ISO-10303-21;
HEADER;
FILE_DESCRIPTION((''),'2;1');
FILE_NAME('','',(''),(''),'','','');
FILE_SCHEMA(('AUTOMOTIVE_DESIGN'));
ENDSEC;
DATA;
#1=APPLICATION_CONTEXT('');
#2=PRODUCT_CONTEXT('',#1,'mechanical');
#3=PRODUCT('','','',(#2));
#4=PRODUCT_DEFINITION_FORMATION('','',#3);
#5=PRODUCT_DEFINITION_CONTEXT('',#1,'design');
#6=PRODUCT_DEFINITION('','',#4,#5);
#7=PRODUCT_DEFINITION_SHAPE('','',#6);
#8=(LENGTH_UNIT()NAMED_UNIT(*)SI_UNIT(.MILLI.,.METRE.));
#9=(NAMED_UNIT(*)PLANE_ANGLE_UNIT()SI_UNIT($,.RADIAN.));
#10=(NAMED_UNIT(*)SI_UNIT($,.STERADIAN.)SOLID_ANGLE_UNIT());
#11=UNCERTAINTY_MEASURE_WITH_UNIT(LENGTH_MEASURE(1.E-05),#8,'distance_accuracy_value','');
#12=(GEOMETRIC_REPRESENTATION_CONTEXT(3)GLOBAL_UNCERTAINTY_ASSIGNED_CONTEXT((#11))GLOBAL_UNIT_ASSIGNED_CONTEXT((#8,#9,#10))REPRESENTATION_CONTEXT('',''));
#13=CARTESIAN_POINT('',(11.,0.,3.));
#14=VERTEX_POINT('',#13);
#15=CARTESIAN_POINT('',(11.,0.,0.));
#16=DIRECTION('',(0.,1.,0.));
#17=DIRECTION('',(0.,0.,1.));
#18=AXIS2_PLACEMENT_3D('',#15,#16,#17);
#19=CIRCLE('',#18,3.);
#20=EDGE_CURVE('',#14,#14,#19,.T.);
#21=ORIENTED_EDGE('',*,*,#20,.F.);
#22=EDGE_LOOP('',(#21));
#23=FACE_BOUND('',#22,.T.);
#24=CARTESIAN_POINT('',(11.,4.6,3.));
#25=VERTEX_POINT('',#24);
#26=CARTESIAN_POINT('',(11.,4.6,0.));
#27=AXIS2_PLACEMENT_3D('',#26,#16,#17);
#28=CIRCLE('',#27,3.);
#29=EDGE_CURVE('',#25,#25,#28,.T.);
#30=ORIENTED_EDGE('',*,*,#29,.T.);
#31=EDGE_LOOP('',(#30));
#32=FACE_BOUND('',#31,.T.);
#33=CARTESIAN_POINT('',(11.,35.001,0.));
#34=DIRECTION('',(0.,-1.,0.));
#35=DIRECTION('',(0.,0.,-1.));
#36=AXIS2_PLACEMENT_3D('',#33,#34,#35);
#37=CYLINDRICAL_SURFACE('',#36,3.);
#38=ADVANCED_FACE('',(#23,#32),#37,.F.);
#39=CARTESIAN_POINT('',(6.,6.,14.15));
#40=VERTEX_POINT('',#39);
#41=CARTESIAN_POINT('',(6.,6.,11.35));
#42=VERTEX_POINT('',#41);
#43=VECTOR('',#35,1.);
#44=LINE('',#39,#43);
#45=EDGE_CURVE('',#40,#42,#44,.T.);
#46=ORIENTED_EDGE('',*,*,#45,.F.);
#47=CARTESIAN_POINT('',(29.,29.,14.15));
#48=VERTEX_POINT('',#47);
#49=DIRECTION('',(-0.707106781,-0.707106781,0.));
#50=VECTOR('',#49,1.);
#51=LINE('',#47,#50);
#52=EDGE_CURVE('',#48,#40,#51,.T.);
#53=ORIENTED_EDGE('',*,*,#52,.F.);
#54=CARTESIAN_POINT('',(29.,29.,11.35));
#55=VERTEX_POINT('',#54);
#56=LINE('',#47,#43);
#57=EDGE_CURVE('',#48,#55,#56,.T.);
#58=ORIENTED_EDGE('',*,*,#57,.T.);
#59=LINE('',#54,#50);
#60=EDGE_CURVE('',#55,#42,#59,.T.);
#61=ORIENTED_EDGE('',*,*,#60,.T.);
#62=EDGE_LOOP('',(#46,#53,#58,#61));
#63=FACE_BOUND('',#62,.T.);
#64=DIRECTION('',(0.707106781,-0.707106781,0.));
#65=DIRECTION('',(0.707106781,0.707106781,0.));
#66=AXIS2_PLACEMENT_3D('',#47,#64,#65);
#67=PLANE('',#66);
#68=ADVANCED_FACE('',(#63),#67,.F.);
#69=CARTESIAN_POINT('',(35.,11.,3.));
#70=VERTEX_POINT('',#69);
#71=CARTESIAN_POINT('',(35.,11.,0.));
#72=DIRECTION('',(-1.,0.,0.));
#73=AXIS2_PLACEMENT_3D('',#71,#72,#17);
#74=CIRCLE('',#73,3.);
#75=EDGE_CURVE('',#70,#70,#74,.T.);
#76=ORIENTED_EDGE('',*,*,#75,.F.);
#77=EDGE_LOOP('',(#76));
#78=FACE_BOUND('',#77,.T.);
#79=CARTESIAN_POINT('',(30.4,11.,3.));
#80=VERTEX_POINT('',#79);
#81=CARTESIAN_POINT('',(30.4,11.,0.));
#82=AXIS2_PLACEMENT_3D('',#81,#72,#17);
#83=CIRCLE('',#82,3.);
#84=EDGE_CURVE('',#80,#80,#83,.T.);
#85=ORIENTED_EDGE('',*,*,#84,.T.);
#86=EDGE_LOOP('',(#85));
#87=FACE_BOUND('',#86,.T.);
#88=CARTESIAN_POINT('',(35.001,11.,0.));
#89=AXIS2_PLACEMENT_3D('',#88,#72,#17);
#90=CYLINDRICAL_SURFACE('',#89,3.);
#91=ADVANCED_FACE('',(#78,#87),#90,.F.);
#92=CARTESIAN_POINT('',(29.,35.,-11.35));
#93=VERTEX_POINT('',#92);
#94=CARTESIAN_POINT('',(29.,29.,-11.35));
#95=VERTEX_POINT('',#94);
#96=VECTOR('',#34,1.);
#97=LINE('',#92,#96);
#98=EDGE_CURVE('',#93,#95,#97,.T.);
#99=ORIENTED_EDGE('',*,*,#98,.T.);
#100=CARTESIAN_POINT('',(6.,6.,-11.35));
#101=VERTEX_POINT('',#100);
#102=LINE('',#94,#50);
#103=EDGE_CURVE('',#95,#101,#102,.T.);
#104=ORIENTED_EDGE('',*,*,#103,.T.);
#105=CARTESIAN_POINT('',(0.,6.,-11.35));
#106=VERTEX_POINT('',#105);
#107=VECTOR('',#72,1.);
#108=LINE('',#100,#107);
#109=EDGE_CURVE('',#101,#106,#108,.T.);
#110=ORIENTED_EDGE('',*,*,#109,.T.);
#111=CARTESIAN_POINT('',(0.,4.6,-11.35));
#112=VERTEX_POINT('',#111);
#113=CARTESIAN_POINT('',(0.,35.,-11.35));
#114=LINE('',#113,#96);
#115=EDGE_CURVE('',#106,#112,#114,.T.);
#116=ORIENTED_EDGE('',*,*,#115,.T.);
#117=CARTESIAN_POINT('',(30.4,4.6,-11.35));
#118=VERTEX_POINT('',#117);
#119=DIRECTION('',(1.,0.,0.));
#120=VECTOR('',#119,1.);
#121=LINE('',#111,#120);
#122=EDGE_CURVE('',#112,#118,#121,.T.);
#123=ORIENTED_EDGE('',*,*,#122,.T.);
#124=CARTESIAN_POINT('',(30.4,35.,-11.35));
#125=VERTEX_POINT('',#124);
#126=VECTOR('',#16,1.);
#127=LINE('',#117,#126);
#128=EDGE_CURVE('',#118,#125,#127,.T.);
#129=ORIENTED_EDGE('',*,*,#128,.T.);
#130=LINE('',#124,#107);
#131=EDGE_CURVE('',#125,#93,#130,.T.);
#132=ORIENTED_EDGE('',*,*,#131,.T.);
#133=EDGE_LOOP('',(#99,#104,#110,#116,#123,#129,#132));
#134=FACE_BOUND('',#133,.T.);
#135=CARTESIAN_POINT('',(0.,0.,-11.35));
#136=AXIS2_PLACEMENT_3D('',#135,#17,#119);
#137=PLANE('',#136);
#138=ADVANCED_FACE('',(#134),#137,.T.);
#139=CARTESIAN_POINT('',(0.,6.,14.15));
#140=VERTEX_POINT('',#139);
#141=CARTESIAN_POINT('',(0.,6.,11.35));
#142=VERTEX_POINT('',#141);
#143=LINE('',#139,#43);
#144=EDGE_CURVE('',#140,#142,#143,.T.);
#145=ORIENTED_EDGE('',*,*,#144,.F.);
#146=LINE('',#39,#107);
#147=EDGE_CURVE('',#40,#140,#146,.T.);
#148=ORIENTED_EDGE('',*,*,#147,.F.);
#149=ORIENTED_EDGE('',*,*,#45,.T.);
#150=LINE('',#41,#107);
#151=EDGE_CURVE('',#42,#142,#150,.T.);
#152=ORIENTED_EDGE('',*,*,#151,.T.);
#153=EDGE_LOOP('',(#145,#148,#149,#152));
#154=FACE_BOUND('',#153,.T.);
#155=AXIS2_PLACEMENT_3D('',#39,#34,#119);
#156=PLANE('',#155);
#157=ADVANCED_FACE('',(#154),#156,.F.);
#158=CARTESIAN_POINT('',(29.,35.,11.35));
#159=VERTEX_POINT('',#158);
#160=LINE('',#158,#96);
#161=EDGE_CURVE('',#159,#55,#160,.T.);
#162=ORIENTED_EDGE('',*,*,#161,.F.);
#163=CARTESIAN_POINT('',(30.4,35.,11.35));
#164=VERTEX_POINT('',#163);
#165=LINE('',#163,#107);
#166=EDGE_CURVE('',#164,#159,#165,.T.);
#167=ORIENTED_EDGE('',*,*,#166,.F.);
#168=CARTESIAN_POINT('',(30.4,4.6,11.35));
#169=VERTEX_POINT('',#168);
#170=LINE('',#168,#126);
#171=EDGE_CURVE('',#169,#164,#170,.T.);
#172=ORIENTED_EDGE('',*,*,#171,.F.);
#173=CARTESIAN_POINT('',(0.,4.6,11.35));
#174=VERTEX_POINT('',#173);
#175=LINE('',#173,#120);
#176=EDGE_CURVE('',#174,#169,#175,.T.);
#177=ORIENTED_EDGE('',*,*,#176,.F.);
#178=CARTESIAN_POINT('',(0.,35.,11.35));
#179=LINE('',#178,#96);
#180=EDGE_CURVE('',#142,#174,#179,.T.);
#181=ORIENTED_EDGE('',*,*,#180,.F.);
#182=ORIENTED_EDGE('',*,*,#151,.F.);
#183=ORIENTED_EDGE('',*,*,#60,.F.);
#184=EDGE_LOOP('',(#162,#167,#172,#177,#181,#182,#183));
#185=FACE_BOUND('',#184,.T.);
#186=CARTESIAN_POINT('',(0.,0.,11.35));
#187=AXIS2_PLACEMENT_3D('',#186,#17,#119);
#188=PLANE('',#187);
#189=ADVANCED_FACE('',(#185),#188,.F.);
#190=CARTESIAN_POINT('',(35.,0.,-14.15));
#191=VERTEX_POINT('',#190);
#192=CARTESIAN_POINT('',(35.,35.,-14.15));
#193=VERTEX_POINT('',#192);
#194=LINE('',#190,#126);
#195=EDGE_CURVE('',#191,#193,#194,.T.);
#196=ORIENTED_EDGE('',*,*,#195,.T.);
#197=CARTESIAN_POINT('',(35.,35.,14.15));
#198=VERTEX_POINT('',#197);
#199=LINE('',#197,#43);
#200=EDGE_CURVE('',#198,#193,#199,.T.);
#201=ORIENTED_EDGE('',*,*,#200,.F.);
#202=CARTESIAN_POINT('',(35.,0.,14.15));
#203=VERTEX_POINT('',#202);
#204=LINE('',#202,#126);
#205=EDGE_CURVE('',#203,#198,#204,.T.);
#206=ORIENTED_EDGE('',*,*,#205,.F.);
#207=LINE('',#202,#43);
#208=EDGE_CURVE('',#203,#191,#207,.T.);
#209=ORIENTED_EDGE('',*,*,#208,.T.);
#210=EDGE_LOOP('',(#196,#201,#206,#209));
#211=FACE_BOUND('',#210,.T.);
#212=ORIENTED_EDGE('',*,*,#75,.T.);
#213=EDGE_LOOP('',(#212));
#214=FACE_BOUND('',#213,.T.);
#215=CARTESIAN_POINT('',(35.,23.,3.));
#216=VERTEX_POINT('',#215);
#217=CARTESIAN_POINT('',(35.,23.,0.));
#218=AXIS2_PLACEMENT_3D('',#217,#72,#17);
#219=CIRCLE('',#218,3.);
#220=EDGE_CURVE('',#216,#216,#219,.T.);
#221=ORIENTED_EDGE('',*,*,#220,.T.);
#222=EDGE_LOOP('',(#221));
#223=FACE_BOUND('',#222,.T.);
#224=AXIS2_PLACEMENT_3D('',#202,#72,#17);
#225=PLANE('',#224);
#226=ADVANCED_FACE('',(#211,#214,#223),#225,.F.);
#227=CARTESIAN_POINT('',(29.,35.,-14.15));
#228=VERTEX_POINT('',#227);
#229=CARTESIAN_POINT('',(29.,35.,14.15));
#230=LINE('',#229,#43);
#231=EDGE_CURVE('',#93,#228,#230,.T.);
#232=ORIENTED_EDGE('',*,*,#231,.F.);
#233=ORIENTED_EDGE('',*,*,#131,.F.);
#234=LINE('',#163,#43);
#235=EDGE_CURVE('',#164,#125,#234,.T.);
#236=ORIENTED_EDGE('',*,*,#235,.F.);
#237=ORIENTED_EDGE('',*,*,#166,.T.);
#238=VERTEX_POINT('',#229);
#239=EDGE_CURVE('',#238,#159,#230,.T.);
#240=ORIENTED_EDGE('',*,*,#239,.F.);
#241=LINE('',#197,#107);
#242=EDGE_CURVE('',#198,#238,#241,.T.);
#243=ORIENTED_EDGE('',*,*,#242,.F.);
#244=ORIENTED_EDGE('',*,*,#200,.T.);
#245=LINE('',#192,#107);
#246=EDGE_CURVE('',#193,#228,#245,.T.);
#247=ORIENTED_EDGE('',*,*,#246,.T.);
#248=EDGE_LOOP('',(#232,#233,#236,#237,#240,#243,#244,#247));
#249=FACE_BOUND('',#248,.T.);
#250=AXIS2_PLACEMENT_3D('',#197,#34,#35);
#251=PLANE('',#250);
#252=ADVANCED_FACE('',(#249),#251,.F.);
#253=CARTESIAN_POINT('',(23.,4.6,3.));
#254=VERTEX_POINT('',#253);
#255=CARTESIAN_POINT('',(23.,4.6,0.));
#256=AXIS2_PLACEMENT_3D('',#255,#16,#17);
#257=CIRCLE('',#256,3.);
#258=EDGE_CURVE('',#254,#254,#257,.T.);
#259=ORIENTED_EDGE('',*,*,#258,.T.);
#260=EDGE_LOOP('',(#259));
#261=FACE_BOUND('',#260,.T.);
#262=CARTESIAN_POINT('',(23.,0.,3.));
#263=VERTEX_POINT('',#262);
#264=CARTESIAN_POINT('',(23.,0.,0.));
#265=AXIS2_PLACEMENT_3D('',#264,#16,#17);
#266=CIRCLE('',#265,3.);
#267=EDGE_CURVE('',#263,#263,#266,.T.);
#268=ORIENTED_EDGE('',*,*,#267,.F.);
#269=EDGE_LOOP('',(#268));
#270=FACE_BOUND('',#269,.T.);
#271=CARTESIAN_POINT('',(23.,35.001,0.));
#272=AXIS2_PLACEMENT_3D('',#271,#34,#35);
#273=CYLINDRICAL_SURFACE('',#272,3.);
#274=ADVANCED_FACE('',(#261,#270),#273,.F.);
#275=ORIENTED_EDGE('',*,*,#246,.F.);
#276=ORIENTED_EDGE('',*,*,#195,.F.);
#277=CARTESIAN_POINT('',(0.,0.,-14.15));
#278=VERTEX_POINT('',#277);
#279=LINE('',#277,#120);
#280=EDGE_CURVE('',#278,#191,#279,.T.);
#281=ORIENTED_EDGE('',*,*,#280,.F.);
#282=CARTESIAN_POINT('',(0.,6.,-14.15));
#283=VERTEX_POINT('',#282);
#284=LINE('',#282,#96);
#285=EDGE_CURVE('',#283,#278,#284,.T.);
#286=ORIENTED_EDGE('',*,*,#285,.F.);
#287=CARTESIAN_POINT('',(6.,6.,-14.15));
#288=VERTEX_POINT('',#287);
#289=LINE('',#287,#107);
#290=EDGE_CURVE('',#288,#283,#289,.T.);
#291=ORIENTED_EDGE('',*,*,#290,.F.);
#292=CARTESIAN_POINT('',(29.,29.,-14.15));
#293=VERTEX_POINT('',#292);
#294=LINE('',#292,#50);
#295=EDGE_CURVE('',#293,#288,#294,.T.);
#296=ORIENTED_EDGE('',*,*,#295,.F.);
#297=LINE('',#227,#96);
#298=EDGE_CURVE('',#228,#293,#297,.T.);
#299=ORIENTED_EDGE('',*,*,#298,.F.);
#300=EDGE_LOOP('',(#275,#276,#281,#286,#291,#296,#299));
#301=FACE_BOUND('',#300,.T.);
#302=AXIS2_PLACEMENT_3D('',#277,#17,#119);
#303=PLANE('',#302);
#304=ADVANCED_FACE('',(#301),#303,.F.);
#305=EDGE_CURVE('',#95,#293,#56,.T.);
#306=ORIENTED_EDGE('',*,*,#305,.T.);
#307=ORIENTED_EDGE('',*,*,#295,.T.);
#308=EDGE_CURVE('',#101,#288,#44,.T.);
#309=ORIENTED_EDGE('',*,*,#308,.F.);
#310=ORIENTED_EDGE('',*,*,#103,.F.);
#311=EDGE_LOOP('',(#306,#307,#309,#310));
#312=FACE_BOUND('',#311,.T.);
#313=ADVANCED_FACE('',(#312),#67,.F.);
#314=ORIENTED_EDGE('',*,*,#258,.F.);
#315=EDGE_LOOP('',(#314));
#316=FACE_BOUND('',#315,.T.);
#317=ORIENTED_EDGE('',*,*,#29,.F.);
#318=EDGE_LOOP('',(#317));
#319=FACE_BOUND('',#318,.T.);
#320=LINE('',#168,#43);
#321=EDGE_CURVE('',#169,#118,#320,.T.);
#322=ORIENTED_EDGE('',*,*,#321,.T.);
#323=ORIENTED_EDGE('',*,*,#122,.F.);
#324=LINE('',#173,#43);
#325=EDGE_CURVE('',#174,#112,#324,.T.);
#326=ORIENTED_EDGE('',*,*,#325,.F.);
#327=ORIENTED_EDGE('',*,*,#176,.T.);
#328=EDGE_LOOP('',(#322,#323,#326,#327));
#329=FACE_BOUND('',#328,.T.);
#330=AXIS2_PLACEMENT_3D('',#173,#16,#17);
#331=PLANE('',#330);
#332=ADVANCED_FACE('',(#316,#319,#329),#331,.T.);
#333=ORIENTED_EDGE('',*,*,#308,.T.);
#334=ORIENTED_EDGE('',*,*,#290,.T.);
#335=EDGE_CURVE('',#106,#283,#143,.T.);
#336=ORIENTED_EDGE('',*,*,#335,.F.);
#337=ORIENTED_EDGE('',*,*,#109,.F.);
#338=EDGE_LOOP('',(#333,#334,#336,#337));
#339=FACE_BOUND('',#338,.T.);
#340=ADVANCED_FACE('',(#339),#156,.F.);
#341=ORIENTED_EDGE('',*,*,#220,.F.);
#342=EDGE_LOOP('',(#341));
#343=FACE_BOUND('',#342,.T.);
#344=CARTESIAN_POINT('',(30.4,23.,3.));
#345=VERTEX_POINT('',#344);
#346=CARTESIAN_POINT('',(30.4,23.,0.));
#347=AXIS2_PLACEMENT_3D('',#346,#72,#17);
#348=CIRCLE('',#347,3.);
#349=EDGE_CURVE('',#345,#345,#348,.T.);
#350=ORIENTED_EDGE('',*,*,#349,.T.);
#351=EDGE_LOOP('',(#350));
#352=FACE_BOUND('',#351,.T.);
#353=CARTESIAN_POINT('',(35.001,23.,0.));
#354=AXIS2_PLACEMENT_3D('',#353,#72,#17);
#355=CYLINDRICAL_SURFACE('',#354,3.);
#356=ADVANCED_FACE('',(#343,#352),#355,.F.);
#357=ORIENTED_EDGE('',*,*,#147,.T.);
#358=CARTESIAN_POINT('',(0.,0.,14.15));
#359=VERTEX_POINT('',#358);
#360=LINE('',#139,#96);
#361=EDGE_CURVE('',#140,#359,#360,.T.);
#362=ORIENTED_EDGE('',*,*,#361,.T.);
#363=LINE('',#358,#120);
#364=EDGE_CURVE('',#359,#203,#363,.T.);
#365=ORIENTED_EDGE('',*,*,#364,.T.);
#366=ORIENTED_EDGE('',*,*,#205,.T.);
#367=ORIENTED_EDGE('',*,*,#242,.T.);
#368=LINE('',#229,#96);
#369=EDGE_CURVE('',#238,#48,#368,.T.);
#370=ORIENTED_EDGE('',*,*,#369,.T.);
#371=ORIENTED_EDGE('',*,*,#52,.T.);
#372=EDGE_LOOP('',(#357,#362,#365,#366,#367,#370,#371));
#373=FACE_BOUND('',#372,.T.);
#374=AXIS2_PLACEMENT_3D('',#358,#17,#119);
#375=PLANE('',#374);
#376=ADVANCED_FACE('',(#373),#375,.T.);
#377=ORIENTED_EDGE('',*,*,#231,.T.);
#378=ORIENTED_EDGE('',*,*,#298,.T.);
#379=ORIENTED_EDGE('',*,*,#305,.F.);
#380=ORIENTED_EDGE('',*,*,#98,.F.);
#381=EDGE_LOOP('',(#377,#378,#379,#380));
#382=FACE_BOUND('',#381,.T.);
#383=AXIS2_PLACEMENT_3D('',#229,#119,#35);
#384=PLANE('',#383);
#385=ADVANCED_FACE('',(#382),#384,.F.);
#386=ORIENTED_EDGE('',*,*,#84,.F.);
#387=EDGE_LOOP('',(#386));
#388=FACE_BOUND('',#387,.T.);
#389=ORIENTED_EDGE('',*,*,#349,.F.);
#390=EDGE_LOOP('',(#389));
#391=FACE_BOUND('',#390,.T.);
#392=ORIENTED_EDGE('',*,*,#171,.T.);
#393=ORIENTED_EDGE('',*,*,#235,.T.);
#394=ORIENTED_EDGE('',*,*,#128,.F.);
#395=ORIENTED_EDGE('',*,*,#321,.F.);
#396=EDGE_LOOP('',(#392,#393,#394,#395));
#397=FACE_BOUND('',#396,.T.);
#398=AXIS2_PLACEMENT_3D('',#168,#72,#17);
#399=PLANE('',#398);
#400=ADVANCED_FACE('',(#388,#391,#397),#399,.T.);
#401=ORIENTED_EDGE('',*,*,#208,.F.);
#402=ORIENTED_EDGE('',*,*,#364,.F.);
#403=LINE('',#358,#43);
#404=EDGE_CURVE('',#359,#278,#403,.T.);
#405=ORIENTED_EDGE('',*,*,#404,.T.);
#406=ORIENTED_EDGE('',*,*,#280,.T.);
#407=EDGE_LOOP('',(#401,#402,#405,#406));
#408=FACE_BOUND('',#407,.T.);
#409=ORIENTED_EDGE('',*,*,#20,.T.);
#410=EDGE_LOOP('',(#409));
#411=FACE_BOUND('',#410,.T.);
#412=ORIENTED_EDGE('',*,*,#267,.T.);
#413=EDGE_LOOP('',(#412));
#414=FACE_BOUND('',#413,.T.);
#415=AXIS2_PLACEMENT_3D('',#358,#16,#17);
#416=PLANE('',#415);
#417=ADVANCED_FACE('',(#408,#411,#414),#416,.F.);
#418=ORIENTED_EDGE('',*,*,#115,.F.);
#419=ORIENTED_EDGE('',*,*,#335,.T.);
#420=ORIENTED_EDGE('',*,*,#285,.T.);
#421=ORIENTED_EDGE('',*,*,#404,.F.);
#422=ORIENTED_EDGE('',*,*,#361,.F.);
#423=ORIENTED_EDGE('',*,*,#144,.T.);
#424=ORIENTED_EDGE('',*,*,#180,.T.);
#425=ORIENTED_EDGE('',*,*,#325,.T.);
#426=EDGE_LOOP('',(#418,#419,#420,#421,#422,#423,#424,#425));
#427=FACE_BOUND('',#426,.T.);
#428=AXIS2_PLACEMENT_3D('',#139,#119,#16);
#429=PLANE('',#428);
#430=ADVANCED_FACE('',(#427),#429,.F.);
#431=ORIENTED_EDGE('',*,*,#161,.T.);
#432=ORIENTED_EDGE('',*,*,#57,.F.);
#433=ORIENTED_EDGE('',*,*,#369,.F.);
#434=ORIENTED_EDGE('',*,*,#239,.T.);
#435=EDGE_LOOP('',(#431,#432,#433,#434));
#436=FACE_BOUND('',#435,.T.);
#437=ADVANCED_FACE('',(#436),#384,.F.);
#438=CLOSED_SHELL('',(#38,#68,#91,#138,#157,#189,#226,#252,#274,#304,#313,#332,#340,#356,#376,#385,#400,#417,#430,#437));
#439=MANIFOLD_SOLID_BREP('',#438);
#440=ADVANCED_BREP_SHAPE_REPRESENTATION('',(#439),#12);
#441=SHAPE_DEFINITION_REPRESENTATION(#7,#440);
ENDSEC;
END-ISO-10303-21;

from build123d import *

# Parameters (mm, degrees)
EXTRUDE_1_DEPTH     = 14.15
SKETCH_2_W          = 30.4
SKETCH_2_H          = 30.4
CUT_EXTRUDE_1_DEPTH = 11.35
CUT_EXTRUDE_2_REACH = 53.48
SKETCH_4_R          = 3
CUT_EXTRUDE_3_REACH = 53.48
SKETCH_5_R          = 3


with BuildPart() as part:
    # 草图1 → 凸台-拉伸1 (new, symmetric)
    with BuildSketch(Plane.XY):
        Polygon((0, 0), (35, 0), (35, 35), (29, 35), (29, 29), (6, 6), (0, 6), align=None)
    extrude(amount=EXTRUDE_1_DEPTH, both=True)

    # 草图2 → 切除-拉伸1 (cut, symmetric)
    with BuildSketch(Plane.XY):
        with Locations((15.2, 19.8)):
            Rectangle(SKETCH_2_W, SKETCH_2_H)
    extrude(amount=CUT_EXTRUDE_1_DEPTH, both=True, mode=Mode.SUBTRACT)

    # 草图4 → 切除-拉伸2 (cut, up to next)
    with BuildSketch(Plane(origin=(0, 0, 0), x_dir=(1, 0, 0), z_dir=(0, 1, 0)), mode=Mode.PRIVATE) as cut_extrude_2_sk1:
        with Locations(Location((23, 0, 0), (0, 0, 270))):
            Circle(SKETCH_4_R)
    cut_extrude_2_tool1 = extrude(cut_extrude_2_sk1.sketch, amount=CUT_EXTRUDE_2_REACH, mode=Mode.PRIVATE) & part.part
    # 草图4 → 切除-拉伸2 (cut, up to next)
    with BuildSketch(Plane(origin=(0, 0, 0), x_dir=(1, 0, 0), z_dir=(0, 1, 0)), mode=Mode.PRIVATE) as cut_extrude_2_sk2:
        with Locations(Location((11, 0, 0), (0, 0, 270))):
            Circle(SKETCH_4_R)
    cut_extrude_2_tool2 = extrude(cut_extrude_2_sk2.sketch, amount=CUT_EXTRUDE_2_REACH, mode=Mode.PRIVATE) & part.part
    add(cut_extrude_2_tool1.solids().sort_by_distance((23, 0, 0))[0], mode=Mode.SUBTRACT)
    add(cut_extrude_2_tool2.solids().sort_by_distance((11, 0, 0))[0], mode=Mode.SUBTRACT)

    # 草图5 → 切除-拉伸3 (cut, up to next)
    with BuildSketch(Plane(origin=(0, 0, 0), x_dir=(0, 0, -1), z_dir=(1, 0, 0)), mode=Mode.PRIVATE) as cut_extrude_3_sk1:
        with Locations(Location((0, 23, 0), (0, 0, 180))):
            Circle(SKETCH_5_R)
    cut_extrude_3_tool1 = extrude(cut_extrude_3_sk1.sketch, amount=CUT_EXTRUDE_3_REACH, mode=Mode.PRIVATE) & part.part
    # 草图5 → 切除-拉伸3 (cut, up to next)
    with BuildSketch(Plane(origin=(0, 0, 0), x_dir=(0, 0, -1), z_dir=(1, 0, 0)), mode=Mode.PRIVATE) as cut_extrude_3_sk2:
        with Locations(Location((0, 11, 0), (0, 0, 180))):
            Circle(SKETCH_5_R)
    cut_extrude_3_tool2 = extrude(cut_extrude_3_sk2.sketch, amount=CUT_EXTRUDE_3_REACH, mode=Mode.PRIVATE) & part.part
    add(cut_extrude_3_tool1.solids().sort_by_distance((0, 23, 0))[0], mode=Mode.SUBTRACT)
    add(cut_extrude_3_tool2.solids().sort_by_distance((0, 11, 0))[0], mode=Mode.SUBTRACT)


solid = part.part
